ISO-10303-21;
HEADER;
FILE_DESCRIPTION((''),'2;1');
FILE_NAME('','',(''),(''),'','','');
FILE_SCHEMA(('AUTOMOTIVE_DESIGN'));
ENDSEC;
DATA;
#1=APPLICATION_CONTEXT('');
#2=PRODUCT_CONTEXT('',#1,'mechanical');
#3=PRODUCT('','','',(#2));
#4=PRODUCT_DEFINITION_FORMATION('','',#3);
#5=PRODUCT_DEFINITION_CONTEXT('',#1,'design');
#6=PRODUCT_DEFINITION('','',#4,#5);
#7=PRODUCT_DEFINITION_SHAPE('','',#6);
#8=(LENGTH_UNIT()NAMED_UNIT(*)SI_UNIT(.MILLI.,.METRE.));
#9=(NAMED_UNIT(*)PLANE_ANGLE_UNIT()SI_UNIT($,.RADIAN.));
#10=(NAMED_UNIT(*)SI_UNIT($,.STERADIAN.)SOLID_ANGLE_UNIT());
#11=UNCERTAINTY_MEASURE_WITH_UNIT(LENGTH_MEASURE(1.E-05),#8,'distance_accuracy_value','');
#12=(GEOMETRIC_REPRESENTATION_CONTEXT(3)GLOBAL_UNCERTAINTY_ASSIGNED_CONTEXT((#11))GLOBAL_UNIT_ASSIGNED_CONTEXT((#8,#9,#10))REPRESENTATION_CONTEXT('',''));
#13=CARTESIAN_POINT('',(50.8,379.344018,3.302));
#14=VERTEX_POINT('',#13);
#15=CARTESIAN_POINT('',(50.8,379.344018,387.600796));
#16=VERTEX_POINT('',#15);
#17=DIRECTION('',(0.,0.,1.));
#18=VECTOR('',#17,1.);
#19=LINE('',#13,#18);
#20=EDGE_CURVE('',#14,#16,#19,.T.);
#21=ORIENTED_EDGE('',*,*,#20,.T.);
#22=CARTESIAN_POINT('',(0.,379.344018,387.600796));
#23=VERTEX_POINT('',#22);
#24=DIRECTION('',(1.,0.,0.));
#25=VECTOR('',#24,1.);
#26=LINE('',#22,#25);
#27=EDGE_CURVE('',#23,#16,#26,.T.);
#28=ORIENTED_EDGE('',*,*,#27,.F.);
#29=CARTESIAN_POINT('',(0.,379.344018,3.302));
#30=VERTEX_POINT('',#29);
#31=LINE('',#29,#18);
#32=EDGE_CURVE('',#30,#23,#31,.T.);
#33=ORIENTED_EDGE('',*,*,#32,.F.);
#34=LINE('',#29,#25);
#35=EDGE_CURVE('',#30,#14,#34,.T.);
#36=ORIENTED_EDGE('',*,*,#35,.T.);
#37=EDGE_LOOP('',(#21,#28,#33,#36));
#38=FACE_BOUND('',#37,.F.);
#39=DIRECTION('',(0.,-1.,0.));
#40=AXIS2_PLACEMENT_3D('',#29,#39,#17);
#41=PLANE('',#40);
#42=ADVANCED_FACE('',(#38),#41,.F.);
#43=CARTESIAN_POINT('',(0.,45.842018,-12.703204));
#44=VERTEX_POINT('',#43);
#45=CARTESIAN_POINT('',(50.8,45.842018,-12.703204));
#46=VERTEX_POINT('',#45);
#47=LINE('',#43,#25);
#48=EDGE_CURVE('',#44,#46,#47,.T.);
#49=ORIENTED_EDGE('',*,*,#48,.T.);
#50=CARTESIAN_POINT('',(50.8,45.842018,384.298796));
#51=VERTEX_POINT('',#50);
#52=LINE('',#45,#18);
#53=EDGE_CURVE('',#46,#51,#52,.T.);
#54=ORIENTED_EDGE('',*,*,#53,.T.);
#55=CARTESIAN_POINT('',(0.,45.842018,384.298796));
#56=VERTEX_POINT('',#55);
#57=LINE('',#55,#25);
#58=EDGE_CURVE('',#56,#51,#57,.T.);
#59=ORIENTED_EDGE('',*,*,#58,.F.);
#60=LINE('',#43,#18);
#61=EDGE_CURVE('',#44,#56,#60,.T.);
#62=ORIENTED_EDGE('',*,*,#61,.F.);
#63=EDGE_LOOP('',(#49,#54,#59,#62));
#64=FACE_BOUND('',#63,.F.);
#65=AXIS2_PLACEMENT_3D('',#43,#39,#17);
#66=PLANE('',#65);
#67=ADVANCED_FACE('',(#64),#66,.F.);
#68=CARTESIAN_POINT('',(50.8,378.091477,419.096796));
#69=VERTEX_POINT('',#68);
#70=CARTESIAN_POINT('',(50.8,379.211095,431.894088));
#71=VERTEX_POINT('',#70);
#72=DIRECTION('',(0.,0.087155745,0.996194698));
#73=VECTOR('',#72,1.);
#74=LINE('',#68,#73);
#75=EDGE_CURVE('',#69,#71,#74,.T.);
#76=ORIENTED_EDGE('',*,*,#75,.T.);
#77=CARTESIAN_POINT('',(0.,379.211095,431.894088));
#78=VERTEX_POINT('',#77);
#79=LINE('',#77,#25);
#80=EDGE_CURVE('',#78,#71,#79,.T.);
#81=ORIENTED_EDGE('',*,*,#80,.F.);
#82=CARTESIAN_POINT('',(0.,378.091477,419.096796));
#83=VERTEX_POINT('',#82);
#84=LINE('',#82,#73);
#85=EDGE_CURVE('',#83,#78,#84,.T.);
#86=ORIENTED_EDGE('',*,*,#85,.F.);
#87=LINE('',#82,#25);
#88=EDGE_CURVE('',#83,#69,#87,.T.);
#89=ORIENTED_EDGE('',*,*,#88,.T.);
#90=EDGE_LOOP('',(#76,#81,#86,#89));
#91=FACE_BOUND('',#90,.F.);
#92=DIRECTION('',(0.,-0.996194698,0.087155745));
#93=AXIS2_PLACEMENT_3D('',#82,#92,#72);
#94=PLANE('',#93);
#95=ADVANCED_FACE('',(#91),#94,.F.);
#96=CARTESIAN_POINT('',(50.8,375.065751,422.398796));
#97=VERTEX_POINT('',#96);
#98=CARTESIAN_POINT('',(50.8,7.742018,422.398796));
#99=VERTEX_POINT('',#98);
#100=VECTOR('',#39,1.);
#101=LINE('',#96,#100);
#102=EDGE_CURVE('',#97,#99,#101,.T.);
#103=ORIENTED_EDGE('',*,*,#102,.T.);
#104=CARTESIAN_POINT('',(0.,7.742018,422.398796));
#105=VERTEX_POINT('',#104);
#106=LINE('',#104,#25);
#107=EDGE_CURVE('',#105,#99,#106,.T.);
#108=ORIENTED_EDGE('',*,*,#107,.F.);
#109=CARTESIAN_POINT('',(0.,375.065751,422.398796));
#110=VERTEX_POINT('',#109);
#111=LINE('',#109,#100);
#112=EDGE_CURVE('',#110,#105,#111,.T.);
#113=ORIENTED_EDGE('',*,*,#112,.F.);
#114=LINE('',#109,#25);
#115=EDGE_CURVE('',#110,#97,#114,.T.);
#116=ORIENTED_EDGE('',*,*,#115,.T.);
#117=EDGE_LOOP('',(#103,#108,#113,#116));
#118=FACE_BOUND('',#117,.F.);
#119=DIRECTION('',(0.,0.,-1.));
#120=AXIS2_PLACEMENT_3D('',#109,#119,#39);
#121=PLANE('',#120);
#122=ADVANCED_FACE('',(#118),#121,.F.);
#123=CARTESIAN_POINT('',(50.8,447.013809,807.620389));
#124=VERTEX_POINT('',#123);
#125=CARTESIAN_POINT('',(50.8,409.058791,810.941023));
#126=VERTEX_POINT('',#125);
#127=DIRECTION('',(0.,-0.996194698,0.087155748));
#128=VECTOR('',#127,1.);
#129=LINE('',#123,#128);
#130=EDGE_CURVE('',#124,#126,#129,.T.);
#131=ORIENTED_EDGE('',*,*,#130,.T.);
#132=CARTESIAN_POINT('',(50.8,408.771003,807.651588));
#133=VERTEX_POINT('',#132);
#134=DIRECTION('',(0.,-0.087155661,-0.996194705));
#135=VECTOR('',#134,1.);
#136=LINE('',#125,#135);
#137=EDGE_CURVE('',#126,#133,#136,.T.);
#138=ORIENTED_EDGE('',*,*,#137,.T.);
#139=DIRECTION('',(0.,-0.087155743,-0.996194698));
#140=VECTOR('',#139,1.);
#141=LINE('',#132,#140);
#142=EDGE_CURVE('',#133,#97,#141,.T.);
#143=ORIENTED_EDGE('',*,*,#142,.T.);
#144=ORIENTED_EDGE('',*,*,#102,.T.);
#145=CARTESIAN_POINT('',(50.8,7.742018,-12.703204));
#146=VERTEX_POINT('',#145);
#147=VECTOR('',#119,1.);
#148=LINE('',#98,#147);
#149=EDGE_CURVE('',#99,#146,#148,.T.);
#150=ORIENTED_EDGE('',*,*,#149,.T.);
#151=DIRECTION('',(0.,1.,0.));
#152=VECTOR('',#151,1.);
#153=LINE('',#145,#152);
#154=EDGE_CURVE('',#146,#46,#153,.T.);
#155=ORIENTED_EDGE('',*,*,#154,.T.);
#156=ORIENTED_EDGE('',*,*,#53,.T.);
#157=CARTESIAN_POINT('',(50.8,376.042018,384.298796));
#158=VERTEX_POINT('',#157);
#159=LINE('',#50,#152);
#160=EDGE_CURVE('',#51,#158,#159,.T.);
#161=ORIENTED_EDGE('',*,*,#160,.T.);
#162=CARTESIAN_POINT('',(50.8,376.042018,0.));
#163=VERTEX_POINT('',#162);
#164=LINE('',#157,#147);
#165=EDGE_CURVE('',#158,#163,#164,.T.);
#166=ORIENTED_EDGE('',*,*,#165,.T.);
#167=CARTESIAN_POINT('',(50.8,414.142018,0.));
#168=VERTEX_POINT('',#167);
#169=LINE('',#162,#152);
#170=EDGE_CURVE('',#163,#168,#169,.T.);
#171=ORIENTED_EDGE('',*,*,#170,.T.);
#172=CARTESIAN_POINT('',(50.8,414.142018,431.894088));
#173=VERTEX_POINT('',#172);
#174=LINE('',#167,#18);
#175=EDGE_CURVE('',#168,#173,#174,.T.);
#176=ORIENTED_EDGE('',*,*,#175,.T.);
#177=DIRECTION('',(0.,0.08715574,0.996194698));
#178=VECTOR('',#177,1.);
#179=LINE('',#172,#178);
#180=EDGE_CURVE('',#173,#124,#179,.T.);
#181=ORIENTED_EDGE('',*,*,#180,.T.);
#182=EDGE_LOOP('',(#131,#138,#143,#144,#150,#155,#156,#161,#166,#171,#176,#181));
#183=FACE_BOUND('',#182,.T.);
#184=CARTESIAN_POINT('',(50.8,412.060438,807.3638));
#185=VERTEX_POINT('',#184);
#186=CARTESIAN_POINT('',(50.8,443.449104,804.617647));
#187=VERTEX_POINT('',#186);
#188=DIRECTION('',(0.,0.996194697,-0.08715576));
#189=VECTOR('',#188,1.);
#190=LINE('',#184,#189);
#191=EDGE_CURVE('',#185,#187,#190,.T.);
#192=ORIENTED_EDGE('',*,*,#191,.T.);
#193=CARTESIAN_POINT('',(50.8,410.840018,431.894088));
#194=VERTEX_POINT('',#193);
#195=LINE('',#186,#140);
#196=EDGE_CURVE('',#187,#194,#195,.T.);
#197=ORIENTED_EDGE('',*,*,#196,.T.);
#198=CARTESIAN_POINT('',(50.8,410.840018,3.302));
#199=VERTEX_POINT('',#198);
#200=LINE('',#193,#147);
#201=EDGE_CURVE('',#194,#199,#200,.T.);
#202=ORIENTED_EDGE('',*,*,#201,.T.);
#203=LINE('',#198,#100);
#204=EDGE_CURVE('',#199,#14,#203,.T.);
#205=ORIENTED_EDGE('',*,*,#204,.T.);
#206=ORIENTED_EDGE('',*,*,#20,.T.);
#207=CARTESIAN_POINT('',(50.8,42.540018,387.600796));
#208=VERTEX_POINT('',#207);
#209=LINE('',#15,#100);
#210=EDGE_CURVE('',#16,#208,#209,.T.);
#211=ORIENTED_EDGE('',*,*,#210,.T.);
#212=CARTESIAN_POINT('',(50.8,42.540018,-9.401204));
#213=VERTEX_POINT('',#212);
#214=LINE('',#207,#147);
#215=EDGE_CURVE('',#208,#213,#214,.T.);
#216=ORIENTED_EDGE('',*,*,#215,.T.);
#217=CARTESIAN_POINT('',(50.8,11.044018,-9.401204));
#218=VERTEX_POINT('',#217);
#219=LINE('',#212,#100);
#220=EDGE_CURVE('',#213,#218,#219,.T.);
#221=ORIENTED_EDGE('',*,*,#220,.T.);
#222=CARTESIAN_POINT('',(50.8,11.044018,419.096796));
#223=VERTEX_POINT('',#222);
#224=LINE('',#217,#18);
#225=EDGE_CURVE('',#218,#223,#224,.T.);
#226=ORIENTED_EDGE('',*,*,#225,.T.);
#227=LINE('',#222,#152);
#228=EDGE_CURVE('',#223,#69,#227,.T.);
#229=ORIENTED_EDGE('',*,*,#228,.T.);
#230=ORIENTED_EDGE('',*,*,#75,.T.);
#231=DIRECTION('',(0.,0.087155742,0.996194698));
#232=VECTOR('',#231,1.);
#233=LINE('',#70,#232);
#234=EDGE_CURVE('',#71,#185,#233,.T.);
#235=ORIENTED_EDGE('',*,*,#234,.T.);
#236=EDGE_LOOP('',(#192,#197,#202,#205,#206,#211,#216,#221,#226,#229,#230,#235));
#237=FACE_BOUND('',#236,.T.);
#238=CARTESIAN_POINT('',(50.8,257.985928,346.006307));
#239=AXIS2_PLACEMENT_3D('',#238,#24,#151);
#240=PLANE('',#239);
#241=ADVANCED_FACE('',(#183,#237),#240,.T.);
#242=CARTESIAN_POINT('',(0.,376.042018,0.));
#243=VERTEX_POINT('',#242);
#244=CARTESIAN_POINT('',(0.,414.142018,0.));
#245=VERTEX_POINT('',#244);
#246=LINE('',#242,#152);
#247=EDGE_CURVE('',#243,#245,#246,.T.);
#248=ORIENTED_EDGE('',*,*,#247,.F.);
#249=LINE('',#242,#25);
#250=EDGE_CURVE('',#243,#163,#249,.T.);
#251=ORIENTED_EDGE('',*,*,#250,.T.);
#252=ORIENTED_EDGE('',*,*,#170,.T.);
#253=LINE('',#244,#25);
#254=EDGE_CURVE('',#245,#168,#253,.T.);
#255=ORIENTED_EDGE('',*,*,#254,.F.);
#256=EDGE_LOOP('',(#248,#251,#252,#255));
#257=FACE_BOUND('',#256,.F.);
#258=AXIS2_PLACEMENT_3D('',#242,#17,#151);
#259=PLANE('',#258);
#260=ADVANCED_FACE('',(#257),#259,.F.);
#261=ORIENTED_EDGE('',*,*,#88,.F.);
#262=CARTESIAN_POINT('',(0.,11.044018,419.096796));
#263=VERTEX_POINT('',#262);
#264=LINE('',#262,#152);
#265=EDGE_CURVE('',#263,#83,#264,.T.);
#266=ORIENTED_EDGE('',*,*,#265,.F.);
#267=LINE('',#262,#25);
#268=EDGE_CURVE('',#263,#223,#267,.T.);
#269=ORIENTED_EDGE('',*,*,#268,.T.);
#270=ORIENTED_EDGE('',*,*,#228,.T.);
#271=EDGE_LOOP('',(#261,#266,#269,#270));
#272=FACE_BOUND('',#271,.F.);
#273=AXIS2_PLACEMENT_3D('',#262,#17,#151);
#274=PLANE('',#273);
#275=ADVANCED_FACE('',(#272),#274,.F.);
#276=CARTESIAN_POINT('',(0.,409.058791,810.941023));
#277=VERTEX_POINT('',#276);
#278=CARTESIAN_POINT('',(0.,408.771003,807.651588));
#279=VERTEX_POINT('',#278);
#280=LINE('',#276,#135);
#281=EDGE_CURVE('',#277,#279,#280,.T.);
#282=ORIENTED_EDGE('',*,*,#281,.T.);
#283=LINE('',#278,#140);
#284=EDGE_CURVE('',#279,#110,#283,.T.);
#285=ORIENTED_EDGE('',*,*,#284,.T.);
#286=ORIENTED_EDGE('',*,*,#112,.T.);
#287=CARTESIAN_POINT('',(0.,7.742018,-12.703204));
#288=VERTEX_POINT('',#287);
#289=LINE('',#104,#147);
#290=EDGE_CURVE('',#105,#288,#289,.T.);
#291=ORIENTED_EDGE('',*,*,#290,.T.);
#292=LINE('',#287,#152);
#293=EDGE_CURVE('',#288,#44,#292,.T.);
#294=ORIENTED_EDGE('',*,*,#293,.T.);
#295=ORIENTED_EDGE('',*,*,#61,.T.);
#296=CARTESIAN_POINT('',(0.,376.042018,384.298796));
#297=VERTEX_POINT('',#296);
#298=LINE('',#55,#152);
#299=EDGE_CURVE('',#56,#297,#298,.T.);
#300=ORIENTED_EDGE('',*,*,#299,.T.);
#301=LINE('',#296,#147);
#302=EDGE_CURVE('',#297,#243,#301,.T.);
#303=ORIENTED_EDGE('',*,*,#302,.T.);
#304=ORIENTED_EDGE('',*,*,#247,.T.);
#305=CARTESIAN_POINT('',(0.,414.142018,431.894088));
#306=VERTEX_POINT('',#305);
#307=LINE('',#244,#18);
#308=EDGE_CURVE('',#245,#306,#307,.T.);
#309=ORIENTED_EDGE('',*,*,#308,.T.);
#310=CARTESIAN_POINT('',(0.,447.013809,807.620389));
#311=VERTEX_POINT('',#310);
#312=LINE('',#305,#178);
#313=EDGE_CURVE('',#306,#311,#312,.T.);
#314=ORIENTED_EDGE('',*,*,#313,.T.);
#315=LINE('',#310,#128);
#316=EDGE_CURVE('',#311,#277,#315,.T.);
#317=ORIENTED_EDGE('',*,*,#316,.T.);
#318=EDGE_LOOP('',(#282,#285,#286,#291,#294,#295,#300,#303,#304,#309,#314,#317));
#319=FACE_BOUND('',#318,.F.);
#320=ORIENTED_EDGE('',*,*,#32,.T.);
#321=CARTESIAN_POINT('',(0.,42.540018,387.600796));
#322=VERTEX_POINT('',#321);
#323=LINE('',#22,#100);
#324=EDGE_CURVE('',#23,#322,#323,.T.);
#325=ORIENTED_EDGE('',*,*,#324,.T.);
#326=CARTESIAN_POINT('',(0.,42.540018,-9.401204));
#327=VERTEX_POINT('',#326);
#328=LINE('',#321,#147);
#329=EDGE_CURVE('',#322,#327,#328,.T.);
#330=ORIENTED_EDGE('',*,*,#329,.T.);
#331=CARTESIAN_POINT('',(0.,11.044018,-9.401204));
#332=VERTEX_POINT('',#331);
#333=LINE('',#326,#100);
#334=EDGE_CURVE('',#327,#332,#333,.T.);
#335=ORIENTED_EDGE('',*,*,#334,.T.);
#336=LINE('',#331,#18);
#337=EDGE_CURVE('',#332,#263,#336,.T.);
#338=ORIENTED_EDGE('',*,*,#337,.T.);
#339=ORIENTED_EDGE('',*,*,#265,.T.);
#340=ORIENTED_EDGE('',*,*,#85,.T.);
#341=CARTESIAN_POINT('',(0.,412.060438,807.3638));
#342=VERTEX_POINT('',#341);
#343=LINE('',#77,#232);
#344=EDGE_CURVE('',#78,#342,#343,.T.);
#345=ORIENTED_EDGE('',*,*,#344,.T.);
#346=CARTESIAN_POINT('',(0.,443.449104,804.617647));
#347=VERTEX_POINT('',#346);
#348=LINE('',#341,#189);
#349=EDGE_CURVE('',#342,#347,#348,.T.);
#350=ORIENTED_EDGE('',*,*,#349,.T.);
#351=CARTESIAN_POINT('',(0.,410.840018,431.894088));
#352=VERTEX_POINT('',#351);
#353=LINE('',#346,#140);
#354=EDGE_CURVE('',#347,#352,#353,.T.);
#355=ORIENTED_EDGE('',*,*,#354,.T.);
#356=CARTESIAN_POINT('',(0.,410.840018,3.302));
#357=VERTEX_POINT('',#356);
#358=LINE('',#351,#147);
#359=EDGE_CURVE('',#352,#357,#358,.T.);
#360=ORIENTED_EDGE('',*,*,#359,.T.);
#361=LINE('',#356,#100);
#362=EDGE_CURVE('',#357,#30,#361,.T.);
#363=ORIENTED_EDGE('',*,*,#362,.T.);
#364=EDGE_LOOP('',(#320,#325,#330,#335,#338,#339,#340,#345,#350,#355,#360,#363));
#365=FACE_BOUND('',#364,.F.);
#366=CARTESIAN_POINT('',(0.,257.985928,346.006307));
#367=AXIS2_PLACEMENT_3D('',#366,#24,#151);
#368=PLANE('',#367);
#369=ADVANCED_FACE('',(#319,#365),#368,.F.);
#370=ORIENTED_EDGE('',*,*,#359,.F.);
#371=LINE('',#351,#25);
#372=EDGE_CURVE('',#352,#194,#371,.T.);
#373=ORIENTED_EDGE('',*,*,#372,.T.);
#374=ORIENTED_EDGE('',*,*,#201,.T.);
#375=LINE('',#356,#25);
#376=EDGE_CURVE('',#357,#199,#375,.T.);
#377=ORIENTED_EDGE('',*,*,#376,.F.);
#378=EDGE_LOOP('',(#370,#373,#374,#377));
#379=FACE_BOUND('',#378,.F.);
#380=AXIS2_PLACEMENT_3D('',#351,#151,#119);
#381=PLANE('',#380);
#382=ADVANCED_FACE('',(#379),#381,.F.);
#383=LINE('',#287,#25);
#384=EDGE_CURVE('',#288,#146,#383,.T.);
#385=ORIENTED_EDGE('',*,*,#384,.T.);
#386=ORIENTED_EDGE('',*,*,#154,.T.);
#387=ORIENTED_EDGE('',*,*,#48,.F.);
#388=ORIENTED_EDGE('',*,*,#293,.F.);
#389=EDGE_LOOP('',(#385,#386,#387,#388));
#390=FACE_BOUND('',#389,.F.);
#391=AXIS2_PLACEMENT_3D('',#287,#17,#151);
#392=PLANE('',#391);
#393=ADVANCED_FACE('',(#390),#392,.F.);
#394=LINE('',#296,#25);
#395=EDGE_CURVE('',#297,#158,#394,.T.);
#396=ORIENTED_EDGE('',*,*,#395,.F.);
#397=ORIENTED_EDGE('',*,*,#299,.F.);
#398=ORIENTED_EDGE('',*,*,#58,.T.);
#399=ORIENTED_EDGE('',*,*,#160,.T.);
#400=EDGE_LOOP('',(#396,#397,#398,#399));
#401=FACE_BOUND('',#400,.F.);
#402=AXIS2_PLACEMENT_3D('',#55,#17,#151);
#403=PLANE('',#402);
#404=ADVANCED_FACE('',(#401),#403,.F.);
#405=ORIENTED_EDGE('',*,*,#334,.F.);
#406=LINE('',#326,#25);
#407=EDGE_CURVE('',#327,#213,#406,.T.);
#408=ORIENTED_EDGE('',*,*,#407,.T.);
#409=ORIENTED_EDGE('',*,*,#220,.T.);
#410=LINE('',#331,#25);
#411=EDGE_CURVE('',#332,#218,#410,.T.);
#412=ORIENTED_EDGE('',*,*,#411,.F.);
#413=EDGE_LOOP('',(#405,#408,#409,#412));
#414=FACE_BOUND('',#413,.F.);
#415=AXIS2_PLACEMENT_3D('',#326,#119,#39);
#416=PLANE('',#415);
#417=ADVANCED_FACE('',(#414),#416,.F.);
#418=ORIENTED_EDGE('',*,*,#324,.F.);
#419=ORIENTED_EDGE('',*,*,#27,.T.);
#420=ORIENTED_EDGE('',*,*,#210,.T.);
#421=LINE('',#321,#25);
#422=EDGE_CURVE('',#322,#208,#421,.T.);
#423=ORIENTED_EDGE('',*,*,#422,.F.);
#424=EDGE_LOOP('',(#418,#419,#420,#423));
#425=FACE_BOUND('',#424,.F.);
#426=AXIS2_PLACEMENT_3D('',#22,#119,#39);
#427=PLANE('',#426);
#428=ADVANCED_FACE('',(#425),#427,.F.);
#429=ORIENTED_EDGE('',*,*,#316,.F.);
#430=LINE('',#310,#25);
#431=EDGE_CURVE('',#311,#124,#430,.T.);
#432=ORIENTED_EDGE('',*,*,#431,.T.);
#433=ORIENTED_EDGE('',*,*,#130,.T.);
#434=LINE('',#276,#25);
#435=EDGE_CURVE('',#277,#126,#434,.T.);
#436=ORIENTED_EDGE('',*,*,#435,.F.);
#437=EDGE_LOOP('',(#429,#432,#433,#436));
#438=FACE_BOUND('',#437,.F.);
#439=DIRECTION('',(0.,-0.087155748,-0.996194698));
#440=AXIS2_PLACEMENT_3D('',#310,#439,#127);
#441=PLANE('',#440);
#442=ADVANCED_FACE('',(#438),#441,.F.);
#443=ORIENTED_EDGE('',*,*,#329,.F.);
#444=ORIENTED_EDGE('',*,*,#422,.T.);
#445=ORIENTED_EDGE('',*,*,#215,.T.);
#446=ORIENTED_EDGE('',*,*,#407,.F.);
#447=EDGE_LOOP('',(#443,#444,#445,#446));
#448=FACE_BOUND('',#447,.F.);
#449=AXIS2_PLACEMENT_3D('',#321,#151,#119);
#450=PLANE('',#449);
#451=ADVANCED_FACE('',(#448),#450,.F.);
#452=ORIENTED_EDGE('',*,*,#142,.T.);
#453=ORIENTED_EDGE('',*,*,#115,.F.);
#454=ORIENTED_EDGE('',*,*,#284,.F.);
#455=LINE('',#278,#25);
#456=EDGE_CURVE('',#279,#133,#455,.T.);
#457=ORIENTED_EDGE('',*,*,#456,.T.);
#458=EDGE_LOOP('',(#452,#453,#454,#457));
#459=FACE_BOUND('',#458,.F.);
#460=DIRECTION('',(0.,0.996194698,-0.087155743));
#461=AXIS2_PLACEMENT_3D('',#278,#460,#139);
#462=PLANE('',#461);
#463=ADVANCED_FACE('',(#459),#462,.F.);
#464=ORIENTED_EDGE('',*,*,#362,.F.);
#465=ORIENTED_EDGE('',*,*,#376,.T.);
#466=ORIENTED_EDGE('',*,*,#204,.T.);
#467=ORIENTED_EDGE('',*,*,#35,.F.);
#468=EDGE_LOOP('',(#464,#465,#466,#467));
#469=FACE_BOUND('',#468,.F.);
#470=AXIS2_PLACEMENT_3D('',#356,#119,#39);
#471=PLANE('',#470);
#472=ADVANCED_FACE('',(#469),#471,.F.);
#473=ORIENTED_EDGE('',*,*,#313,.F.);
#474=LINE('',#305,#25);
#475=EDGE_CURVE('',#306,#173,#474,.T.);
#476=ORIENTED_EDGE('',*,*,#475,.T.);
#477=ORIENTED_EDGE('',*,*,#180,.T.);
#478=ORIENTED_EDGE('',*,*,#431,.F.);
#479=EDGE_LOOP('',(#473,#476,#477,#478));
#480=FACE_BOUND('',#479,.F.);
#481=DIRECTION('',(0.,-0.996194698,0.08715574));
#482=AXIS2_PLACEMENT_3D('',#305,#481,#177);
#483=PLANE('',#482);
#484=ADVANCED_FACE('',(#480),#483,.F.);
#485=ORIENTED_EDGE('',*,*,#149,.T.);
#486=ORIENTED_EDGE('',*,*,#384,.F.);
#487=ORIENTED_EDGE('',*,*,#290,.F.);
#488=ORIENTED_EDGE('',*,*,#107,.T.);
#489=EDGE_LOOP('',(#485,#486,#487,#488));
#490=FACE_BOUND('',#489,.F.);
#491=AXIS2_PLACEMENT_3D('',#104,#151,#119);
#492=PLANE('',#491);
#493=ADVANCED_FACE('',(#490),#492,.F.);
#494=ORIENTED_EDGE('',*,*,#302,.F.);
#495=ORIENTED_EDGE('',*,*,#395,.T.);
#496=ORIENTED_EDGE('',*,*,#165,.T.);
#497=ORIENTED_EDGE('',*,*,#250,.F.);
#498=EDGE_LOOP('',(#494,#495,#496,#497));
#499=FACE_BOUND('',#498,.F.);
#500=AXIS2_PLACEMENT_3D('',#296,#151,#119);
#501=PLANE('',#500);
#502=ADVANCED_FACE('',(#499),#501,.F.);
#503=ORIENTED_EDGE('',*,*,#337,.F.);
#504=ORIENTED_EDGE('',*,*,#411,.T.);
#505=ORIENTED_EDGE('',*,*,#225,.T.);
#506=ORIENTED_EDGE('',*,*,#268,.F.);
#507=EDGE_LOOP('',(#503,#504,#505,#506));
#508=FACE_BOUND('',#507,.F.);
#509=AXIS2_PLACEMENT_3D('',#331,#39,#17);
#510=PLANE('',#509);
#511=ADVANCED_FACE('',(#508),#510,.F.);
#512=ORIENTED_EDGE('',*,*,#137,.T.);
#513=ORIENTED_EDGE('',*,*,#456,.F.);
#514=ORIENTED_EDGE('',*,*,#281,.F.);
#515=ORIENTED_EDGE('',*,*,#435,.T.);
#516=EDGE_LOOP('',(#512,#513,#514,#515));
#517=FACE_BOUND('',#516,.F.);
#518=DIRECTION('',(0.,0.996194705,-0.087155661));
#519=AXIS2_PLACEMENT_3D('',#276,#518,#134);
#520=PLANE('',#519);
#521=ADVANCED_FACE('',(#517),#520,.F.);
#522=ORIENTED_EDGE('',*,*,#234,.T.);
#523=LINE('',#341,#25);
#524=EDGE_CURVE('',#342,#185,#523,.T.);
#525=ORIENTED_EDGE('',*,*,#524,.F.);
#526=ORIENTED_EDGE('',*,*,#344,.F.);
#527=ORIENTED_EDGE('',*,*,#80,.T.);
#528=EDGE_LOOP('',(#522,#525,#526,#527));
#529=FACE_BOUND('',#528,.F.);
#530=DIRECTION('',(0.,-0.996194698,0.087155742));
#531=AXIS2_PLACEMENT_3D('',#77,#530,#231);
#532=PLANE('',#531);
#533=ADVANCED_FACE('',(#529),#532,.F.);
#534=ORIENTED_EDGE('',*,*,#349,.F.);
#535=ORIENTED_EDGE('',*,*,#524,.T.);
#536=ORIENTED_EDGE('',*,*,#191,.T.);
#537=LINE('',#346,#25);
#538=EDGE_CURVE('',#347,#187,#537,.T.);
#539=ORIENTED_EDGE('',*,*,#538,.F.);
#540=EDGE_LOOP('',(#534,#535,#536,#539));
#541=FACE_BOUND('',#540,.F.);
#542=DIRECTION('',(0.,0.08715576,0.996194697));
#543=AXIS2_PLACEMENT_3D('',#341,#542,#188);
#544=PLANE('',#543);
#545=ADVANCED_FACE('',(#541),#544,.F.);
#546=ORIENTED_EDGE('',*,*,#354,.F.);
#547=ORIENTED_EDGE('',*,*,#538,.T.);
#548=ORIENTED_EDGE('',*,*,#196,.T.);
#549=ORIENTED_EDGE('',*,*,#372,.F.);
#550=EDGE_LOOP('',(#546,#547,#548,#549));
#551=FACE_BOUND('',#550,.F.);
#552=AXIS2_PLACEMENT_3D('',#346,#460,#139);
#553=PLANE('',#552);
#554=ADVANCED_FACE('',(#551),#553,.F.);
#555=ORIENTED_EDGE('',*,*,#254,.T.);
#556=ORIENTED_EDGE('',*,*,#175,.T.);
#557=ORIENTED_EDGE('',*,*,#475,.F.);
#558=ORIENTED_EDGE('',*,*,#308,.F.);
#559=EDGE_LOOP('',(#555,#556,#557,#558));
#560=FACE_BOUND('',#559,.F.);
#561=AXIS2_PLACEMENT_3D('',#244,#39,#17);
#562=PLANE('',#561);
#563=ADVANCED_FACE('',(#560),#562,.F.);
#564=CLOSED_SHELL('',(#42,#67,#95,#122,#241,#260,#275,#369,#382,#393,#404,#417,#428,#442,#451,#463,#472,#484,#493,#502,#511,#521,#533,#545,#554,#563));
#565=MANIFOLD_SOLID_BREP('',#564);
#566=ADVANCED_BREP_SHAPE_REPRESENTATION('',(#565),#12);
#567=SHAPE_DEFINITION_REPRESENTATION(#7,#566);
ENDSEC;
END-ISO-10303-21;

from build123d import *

# Parameters (mm, degrees)
F1_DEPTH = 50.8


with BuildPart() as f1:
    # F0 (on Right) → F1 (new body)
    with BuildSketch(Plane.YZ):
        Polygon((7.742018, -9.401204), (7.742018, -12.703204), (45.842018, -12.703204), (45.842018, -9.401204), (45.842018, 384.298796), (376.042018, 384.298796), (376.042018, 4.826), (376.042018, 0), (379.344018, 0), (414.142018, 0), (414.142018, 431.894088), (447.013809, 807.620389), (409.058791, 810.941023), (408.771003, 807.651588), (375.065751, 422.398796), (7.742018, 422.398796), (7.742018, 419.096796), align=None)
        Polygon((42.540018, -9.401204), (11.044018, -9.401204), (11.044018, 419.096796), (374.776864, 419.096796), (378.091477, 419.096796), (379.211095, 431.894088), (412.060438, 807.3638), (443.449104, 804.617647), (410.840018, 431.894088), (410.840018, 3.302), (379.344018, 3.302), (379.344018, 384.298796), (379.344018, 387.600796), (376.042018, 387.600796), (42.540018, 387.600796), (42.540018, 384.298796), align=None, mode=Mode.SUBTRACT)
    extrude(amount=F1_DEPTH)


solid = f1.part
